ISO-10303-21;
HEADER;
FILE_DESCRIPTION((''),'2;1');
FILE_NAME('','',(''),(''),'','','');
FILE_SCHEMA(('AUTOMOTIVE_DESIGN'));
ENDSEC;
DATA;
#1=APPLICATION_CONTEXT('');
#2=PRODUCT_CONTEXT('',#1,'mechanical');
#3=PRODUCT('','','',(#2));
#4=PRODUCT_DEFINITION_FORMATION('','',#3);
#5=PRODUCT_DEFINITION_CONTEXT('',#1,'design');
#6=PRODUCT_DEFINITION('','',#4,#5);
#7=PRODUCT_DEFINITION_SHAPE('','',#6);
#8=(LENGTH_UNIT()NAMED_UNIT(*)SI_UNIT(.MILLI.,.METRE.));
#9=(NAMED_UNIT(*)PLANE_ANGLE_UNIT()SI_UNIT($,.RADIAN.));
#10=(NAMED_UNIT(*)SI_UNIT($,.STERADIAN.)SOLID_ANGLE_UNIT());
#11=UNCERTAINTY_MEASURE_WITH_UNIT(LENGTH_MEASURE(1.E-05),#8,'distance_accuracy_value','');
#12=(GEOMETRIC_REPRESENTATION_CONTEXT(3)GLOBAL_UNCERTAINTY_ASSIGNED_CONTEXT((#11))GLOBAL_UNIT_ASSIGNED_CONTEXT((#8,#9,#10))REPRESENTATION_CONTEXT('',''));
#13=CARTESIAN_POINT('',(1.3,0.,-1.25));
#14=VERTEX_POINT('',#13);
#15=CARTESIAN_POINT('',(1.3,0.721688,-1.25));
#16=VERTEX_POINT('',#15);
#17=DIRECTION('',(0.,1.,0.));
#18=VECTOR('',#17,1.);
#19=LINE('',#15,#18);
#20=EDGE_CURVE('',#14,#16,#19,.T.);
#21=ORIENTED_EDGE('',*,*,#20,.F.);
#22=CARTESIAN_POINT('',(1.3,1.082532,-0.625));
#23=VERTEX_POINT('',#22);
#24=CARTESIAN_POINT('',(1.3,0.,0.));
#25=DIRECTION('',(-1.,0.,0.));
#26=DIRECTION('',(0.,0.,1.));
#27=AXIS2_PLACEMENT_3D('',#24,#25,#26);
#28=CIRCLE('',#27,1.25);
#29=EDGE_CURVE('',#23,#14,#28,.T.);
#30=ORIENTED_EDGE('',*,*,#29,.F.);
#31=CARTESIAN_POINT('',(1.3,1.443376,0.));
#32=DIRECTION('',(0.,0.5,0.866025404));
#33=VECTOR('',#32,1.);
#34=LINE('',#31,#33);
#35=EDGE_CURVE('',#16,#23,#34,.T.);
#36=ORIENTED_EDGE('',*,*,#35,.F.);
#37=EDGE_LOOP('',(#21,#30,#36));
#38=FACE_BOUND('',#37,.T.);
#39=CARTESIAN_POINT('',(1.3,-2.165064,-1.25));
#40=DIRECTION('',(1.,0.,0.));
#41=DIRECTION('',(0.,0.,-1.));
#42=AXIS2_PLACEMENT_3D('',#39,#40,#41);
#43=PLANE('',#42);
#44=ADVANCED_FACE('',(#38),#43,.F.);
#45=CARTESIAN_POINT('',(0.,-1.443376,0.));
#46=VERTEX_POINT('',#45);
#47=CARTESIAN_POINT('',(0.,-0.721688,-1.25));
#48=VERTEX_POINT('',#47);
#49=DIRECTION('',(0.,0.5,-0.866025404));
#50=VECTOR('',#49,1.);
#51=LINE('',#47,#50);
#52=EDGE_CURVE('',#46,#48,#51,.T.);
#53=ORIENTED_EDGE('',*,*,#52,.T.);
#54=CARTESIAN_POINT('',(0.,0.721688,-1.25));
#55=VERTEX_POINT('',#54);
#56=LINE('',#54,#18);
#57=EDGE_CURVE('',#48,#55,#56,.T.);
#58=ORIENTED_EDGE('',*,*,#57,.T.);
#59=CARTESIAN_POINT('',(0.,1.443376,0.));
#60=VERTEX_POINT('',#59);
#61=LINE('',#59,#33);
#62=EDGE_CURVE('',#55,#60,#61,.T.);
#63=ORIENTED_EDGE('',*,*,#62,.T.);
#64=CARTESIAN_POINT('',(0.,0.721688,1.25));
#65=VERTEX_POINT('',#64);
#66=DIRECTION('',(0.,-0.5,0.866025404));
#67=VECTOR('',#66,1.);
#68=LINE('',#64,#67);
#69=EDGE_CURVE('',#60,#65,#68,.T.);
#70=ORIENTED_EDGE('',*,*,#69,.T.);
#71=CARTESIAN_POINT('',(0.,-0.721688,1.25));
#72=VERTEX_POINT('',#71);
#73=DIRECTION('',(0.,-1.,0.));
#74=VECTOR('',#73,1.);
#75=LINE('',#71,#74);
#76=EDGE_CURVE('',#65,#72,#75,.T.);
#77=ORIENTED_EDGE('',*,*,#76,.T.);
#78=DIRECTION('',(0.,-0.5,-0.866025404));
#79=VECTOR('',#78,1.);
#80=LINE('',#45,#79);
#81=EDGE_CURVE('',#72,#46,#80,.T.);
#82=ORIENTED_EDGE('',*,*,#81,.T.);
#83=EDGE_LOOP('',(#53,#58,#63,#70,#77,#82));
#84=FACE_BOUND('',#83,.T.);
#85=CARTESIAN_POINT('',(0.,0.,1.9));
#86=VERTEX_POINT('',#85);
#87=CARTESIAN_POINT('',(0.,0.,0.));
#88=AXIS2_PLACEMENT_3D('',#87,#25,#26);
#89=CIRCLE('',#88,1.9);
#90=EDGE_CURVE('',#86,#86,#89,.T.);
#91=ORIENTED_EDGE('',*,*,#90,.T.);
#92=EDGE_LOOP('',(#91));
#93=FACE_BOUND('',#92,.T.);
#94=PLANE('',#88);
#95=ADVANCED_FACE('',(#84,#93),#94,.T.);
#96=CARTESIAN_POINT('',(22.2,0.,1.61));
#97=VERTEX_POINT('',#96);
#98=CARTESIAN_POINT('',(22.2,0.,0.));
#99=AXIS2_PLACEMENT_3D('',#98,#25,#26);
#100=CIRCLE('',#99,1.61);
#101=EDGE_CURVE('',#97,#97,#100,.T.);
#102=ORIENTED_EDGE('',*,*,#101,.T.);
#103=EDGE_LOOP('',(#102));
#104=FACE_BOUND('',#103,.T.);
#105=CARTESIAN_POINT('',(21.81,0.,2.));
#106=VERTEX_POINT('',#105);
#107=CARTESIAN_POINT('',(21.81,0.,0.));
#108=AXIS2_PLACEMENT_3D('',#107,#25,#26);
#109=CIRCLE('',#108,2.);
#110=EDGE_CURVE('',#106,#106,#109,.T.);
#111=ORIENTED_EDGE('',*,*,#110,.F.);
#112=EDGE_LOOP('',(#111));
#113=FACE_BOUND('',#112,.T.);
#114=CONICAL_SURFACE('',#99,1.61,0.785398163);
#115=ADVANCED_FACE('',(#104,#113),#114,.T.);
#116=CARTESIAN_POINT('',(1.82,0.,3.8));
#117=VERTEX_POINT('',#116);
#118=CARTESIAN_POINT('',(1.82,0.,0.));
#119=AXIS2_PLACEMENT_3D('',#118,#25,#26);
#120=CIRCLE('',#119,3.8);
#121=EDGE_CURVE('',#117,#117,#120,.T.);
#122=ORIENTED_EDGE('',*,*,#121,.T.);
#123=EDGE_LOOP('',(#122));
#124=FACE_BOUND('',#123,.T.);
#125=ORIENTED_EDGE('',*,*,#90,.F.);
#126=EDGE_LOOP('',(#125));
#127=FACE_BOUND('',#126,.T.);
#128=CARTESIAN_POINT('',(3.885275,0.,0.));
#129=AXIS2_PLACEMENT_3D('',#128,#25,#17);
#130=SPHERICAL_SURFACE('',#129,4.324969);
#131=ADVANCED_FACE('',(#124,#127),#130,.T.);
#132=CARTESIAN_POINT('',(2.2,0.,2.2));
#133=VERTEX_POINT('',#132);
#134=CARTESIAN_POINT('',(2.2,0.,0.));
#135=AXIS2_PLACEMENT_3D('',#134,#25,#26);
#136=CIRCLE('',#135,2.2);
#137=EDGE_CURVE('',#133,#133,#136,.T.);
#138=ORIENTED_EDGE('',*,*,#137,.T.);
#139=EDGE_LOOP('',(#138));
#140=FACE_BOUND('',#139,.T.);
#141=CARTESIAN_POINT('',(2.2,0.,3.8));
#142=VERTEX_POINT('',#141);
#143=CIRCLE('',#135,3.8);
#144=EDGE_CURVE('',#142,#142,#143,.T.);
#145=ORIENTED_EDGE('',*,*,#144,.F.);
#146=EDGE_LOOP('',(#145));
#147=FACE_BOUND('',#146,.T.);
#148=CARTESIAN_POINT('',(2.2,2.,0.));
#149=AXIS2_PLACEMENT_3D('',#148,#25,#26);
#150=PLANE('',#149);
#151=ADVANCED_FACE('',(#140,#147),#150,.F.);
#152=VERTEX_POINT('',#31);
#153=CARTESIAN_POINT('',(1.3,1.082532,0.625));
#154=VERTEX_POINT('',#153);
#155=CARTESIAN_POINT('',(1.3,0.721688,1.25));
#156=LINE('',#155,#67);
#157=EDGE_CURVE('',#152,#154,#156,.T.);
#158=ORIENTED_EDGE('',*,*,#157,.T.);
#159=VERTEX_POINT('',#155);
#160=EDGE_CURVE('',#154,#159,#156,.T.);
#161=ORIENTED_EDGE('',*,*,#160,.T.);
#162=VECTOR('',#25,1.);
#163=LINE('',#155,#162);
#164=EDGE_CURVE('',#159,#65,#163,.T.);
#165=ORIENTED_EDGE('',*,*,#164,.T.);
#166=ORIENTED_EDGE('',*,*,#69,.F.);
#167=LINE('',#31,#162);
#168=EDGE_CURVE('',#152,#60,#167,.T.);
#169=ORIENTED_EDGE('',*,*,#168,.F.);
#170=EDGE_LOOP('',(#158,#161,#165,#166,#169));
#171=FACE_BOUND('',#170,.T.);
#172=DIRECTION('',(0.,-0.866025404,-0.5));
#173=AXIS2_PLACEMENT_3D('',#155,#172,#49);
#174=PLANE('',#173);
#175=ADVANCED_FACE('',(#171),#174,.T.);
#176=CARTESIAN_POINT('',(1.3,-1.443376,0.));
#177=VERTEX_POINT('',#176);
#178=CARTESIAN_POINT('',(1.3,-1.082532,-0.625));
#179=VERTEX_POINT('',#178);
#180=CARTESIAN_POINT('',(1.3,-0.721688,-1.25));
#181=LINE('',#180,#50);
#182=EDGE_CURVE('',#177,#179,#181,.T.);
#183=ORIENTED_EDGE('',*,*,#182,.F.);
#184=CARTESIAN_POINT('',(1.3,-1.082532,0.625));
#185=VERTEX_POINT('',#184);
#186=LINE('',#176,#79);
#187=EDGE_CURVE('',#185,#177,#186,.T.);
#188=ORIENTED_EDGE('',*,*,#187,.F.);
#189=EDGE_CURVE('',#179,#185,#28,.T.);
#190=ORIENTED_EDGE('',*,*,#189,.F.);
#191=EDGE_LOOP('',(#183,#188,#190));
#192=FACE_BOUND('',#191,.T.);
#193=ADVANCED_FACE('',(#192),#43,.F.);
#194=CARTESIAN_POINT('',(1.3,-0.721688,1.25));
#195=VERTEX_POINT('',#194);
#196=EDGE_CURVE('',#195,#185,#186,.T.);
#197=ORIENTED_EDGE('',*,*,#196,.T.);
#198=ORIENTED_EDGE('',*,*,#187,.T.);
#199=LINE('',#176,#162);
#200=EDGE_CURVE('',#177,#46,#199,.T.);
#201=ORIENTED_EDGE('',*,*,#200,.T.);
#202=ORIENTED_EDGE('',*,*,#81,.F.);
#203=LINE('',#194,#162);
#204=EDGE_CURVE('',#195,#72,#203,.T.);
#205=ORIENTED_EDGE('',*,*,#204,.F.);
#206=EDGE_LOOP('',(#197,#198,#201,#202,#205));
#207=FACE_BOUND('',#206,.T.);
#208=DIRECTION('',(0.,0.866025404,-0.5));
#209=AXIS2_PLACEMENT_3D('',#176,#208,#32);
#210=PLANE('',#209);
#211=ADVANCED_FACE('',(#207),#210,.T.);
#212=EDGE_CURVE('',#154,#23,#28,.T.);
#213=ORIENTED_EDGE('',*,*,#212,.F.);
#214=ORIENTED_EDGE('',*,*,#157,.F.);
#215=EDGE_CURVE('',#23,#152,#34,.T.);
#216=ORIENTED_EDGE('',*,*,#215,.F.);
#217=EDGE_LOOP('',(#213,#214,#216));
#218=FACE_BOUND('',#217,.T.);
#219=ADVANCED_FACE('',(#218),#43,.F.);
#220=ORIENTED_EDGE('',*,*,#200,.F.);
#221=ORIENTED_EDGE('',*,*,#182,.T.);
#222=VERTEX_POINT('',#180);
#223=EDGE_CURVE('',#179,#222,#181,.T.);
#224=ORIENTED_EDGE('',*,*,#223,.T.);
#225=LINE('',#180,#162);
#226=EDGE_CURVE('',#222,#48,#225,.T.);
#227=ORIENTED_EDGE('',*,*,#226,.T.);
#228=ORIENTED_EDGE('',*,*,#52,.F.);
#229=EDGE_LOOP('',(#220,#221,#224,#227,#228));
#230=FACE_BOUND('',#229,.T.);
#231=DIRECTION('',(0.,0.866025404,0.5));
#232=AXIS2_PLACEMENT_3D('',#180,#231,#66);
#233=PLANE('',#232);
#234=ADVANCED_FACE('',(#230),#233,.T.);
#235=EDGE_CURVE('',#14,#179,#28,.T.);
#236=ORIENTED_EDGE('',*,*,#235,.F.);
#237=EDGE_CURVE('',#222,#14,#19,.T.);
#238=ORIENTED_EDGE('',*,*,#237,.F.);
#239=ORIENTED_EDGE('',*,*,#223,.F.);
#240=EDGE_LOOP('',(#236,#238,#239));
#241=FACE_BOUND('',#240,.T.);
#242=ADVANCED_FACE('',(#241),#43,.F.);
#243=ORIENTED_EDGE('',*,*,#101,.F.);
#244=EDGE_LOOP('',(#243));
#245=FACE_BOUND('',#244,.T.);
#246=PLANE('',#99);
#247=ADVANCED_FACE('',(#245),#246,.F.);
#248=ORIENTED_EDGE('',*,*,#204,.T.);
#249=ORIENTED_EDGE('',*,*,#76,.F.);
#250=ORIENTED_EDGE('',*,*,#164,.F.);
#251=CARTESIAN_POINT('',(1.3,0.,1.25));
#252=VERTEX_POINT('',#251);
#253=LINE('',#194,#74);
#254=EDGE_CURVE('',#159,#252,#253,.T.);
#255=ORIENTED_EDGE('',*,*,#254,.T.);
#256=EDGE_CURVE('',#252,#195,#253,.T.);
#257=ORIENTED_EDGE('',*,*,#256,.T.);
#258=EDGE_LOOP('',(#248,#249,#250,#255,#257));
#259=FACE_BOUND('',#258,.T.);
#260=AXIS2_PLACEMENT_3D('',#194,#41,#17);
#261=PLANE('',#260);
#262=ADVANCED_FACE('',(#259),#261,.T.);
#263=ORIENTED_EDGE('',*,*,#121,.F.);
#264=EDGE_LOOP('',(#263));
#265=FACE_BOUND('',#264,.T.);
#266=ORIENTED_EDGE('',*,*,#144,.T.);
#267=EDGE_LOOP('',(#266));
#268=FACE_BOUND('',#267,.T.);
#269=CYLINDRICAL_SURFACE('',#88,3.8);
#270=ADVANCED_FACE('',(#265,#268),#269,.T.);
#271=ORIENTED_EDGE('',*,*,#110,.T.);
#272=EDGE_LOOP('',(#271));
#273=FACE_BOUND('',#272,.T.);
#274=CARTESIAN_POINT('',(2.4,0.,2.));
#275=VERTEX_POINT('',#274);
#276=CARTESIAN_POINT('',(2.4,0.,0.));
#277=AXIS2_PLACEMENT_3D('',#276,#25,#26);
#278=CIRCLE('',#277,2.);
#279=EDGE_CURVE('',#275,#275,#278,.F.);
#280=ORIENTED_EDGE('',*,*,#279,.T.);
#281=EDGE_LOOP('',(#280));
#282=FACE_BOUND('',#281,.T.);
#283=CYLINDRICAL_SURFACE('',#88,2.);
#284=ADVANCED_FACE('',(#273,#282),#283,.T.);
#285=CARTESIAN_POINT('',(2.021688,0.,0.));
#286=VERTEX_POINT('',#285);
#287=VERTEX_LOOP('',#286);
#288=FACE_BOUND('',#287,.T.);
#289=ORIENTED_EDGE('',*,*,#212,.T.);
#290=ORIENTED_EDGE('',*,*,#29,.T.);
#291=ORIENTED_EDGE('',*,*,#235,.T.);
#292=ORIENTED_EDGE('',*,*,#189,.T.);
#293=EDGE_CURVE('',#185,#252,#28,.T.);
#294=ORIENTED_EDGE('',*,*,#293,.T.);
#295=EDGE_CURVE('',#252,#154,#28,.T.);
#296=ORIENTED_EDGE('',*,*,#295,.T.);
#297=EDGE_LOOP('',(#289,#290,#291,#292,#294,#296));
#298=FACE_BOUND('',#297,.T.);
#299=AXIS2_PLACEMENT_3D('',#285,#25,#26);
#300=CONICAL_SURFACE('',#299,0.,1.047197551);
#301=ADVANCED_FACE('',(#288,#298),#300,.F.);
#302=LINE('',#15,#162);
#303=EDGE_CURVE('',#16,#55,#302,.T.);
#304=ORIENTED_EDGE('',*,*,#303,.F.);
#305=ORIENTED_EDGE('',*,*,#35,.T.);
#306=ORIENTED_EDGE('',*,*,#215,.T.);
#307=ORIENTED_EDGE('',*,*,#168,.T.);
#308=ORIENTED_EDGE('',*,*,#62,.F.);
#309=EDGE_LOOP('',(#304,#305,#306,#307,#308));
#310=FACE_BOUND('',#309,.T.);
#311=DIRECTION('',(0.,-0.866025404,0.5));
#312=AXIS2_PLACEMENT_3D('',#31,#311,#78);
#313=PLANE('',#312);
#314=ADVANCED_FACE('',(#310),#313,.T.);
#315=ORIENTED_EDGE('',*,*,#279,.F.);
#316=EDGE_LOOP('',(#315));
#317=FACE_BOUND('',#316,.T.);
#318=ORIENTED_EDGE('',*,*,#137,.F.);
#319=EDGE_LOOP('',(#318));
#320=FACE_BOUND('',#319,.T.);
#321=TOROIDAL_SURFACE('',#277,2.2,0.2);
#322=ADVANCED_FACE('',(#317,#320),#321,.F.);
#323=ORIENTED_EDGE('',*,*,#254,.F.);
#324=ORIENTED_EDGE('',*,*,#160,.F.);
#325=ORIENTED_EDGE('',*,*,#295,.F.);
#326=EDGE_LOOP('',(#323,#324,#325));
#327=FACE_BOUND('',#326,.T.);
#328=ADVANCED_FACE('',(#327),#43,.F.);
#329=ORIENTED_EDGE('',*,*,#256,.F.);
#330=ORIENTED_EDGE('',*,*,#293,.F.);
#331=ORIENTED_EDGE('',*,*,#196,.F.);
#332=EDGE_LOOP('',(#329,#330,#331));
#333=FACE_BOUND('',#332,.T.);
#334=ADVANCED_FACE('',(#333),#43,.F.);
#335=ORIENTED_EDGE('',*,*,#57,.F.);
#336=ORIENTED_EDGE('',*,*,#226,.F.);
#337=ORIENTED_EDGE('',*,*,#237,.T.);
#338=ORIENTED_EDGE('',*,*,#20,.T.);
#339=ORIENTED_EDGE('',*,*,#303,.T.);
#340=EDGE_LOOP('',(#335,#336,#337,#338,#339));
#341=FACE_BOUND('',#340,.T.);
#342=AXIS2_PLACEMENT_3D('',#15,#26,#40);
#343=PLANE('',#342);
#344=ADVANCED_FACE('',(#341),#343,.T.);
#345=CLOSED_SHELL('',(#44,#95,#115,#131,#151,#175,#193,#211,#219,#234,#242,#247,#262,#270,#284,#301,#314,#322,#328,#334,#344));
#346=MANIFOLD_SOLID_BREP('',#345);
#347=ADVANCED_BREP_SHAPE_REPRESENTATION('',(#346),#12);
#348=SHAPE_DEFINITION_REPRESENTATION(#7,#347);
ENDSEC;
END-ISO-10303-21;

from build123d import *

# Parameters (mm, degrees)
FILLET1_R   = 0.2
HEX_2_DEPTH = 1.3


with BuildPart() as part:
    # BodySke → BaseBody (revolve)
    with BuildSketch(Plane.XY):
        with BuildLine():
            Line((22.2, 0), (22.2, 1.61))
            Line((22.2, 1.61), (21.81, 2))
            Line((21.81, 2), (2.2, 2))
            Line((2.2, 2), (2.2, 3.8))
            Line((2.2, 3.8), (1.82, 3.8))
            ThreePointArc((1.82, 3.8), (0.762013659, 2.991755338), (0, 1.9))
            Line((0, 1.9), (0, 0))
            Line((0, 0), (22.2, 0))
        make_face()
    revolve(axis=Axis((0, 0, 0), (1, 0, 0)))

    # Fillet1
    fillet1_edges = [part.edges().sort_by_distance(p)[0] for p in [
        (2.2, -2, 0),
    ]]
    fillet(fillet1_edges, radius=FILLET1_R)

    # Sketch2 → PreBroach (revolve, cut)
    with BuildSketch(Plane.XY):
        Polygon((0, 1.25), (1.3, 1.25), (2.021687836, 0), (0, 0), align=None)
    revolve(axis=Axis((0, 0, 0), (1, 0, 0)), mode=Mode.SUBTRACT)

    # Sketch3 → Hex 2 (cut)
    with BuildSketch(Plane(origin=(0, 0, 0), x_dir=(0, 0, -1), z_dir=(1, 0, 0))):
        Polygon((-1.25, -0.721687836), (-1.25, 0.721687836), (0, 1.443375673), (1.25, 0.721687836), (1.25, -0.721687836), (0, -1.443375673), align=None)
    extrude(amount=HEX_2_DEPTH, mode=Mode.SUBTRACT)


solid = part.part
